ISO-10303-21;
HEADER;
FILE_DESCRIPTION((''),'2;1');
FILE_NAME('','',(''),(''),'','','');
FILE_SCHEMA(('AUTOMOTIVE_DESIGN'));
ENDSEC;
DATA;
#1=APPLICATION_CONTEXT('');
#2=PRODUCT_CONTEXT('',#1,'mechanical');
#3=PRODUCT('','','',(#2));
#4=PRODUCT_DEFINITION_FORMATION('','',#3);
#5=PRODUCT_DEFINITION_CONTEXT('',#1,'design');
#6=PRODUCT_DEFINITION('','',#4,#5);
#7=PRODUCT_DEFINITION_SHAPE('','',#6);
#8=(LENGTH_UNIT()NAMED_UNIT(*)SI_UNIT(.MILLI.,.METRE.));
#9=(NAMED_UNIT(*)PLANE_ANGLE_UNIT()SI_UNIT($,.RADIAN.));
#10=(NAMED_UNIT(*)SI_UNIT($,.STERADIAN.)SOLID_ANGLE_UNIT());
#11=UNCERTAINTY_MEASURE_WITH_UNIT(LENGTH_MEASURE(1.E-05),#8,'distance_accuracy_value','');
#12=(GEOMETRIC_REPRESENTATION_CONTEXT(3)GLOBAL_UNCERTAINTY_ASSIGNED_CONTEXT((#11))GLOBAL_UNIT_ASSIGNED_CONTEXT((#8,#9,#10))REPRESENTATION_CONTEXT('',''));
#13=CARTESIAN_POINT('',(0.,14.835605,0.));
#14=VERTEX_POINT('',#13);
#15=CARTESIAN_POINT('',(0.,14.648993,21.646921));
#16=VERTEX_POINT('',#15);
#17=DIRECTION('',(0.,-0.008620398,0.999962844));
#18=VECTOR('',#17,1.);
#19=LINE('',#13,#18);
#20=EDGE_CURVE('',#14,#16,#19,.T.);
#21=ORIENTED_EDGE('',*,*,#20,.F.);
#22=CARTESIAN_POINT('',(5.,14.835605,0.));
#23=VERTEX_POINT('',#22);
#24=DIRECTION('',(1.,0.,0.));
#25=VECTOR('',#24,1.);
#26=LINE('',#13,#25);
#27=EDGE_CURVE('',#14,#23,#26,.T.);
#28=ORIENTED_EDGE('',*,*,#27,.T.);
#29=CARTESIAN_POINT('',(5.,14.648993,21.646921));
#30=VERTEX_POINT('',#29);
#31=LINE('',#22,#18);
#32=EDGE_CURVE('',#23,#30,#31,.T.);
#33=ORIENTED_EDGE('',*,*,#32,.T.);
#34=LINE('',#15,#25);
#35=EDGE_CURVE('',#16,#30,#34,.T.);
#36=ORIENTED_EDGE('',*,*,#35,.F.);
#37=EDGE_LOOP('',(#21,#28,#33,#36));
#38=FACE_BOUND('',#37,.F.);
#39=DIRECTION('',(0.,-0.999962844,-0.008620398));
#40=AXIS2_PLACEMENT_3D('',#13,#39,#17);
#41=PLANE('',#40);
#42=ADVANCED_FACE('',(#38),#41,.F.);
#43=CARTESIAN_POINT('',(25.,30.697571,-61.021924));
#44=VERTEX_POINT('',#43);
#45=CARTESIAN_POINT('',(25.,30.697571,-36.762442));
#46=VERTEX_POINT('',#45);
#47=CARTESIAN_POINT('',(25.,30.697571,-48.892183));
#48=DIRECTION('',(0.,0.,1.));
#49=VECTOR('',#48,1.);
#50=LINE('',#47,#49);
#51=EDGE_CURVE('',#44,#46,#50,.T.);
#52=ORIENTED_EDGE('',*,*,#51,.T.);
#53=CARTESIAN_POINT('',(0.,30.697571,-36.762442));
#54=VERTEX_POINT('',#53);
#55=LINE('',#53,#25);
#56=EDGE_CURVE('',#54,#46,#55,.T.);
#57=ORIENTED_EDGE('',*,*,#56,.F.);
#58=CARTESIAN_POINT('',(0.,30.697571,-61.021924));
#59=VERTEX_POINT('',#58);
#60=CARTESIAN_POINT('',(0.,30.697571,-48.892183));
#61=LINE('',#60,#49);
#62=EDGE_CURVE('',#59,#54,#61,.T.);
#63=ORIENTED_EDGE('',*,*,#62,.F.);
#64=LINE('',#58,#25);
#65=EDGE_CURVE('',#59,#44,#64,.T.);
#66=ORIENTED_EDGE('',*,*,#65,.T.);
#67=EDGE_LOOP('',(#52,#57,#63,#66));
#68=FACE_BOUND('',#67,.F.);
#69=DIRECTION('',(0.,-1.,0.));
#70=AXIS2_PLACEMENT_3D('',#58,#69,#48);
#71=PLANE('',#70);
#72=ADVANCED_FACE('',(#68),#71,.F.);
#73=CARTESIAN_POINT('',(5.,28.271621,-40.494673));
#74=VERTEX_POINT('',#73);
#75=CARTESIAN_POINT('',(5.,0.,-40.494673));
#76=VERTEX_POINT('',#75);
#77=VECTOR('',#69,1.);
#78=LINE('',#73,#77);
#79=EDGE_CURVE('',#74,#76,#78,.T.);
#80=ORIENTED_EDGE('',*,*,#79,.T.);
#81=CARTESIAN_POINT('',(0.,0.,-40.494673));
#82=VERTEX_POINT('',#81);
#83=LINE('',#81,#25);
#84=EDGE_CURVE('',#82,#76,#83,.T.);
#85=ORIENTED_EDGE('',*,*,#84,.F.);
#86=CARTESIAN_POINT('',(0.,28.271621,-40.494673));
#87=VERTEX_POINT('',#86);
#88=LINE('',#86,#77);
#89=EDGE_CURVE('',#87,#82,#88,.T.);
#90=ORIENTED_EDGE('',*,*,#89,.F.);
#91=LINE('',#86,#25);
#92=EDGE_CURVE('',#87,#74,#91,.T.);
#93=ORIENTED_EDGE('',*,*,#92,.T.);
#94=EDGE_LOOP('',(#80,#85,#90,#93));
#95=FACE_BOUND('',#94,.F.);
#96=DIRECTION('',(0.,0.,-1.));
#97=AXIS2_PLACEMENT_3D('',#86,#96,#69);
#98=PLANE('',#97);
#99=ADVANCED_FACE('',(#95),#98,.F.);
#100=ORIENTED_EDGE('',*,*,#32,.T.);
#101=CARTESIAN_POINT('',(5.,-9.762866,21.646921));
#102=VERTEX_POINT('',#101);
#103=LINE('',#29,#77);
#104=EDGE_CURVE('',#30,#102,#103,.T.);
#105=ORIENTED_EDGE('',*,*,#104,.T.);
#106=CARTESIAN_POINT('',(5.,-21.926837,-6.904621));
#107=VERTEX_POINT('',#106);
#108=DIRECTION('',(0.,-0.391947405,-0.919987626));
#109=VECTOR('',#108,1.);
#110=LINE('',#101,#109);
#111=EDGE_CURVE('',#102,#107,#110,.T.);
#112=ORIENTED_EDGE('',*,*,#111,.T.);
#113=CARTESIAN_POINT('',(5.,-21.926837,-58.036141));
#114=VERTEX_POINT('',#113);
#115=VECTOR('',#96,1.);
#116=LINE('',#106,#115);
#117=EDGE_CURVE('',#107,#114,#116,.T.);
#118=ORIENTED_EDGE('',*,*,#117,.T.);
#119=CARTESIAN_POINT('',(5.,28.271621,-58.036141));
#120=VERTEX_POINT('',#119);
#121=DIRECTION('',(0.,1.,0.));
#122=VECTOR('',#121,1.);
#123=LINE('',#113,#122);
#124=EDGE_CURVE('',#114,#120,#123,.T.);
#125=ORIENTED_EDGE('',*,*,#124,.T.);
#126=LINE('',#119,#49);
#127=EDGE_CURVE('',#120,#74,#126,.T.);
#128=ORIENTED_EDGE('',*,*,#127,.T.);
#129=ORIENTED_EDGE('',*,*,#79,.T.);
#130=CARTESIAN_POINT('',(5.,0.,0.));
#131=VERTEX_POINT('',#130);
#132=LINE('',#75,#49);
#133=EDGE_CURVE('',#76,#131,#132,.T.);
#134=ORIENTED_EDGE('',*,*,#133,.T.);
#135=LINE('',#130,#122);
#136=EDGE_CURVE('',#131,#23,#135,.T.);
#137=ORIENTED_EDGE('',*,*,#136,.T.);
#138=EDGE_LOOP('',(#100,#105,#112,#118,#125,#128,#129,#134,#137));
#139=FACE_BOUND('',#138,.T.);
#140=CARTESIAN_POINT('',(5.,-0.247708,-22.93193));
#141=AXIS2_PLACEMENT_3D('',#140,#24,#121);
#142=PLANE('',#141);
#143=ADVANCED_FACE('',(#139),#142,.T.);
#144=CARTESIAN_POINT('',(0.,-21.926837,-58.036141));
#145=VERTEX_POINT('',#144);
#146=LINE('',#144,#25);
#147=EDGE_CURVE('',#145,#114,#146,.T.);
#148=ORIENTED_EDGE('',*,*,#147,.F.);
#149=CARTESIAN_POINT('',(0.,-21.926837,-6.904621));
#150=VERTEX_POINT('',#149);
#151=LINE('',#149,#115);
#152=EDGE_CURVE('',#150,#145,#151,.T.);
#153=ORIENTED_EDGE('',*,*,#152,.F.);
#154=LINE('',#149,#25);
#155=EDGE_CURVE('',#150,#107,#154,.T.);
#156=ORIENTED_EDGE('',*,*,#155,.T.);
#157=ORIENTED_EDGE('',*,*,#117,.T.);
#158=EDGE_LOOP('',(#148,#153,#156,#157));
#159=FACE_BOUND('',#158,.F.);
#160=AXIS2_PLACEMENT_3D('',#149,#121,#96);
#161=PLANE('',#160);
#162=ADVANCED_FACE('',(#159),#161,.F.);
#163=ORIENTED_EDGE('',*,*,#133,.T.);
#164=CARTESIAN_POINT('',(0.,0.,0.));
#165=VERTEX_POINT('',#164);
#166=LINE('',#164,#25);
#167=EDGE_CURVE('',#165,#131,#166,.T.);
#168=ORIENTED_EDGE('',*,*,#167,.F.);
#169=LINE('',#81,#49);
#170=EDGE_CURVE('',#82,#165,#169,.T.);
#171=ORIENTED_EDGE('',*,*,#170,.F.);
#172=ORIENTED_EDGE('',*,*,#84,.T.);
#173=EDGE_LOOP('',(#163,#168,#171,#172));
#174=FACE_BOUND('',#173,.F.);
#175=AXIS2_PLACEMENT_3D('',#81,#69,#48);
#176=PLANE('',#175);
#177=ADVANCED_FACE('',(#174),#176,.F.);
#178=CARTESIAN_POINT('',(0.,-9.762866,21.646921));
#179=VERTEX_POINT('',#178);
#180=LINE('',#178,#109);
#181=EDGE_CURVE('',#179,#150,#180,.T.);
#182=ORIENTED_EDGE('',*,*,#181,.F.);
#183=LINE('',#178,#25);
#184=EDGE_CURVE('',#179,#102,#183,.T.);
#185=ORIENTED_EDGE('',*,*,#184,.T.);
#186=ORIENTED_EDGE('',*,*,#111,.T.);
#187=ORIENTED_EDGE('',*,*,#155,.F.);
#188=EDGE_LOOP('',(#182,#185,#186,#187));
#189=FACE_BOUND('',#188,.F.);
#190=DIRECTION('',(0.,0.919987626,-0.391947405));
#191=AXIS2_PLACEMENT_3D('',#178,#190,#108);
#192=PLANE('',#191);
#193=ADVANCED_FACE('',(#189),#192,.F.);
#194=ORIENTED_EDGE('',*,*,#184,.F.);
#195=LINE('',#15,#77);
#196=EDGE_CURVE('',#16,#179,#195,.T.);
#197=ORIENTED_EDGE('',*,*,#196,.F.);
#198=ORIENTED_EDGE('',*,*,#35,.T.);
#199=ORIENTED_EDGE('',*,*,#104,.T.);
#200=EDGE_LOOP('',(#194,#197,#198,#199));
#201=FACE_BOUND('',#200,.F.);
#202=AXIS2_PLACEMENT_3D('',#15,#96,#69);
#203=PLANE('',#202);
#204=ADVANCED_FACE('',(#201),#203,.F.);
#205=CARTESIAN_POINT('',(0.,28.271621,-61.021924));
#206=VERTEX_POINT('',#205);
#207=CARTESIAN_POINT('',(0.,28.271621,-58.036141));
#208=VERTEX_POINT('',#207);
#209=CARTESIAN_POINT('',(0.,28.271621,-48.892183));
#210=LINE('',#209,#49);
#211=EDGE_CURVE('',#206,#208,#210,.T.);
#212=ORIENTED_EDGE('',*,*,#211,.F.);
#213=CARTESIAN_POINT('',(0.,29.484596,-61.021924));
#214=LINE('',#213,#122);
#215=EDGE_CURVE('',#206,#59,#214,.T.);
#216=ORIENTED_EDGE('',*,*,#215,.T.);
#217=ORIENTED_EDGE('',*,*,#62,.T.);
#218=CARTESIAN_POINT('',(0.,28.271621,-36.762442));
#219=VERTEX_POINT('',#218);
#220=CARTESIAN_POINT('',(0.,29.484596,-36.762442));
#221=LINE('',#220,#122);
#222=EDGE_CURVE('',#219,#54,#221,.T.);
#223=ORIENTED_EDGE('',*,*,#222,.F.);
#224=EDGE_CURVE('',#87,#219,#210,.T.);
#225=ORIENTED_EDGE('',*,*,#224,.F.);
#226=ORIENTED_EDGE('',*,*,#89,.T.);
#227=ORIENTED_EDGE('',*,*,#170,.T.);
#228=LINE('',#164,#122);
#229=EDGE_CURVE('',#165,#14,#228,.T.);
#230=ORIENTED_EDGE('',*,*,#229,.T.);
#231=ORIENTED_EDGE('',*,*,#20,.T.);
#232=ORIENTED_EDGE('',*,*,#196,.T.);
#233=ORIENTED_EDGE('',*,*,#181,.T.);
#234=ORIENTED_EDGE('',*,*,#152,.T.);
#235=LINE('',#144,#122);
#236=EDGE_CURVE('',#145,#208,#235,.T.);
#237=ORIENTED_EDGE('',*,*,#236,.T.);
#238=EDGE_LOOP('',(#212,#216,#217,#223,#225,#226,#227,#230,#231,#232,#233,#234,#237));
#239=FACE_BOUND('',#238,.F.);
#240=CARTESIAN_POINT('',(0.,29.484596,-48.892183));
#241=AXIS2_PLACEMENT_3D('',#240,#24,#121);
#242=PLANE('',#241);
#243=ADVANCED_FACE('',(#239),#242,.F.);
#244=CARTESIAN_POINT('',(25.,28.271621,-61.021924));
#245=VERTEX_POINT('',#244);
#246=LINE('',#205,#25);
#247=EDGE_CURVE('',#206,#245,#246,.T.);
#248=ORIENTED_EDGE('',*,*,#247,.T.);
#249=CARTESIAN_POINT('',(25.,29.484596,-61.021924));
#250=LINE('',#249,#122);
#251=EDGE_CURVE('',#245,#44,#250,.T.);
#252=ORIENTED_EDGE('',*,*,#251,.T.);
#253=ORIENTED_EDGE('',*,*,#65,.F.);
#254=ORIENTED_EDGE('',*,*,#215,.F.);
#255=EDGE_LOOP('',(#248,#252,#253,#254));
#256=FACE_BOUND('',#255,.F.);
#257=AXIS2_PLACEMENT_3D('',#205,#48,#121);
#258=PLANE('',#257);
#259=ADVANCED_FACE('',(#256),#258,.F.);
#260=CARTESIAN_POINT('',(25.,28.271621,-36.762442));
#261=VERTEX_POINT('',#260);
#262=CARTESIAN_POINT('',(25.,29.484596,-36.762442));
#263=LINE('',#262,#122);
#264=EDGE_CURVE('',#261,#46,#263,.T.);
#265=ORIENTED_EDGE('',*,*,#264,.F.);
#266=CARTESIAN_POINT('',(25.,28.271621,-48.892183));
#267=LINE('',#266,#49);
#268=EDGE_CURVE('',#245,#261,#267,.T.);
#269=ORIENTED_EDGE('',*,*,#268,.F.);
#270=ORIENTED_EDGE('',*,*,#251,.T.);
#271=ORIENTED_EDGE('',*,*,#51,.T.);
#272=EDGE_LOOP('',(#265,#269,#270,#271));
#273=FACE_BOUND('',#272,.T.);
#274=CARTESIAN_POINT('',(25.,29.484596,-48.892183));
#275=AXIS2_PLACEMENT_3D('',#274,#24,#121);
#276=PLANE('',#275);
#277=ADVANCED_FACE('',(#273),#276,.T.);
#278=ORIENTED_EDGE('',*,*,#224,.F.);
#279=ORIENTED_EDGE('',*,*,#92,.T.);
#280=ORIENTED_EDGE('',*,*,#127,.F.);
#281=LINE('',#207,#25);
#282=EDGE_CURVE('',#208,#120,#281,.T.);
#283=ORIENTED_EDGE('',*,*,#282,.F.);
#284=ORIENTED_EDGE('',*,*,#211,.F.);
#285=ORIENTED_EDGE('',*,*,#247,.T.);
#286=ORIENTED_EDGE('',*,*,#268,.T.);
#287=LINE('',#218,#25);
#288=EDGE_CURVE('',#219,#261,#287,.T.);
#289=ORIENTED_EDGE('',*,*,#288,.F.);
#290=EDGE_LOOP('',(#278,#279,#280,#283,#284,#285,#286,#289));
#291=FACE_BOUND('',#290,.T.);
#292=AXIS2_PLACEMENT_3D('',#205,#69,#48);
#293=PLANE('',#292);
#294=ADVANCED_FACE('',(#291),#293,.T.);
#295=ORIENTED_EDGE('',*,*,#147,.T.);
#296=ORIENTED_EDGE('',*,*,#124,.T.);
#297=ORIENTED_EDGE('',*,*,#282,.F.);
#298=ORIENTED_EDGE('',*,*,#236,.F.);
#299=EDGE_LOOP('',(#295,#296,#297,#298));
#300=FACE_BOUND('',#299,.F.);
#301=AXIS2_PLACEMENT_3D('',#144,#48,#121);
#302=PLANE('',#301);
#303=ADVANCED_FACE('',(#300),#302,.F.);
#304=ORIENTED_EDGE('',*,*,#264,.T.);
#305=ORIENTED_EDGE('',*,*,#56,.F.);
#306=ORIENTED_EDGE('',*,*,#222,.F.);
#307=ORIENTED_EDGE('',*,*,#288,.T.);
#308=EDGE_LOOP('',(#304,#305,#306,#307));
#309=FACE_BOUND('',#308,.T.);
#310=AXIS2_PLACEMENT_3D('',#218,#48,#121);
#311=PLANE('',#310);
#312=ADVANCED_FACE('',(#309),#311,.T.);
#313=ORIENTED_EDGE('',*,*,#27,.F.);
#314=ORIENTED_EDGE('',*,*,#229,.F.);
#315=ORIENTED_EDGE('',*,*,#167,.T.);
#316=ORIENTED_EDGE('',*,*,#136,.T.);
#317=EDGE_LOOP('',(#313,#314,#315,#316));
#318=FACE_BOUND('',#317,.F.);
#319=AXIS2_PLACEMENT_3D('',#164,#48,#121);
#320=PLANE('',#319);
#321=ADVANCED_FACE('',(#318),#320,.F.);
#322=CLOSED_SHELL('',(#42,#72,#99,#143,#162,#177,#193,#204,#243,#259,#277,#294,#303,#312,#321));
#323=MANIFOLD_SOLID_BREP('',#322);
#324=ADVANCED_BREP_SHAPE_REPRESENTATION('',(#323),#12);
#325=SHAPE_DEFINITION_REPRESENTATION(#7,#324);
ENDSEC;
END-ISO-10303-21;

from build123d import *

# Parameters (mm, degrees)
F1_DEPTH = 5
F2_W     = 2.42595
F2_H     = 24.259482
F3_DEPTH = 25


with BuildPart() as f1:
    # F0 (on Right) → F1 (new body)
    with BuildSketch(Plane.YZ):
        Polygon((14.835605, 0), (14.648993, 21.646921), (-9.762866, 21.646921), (-21.926837, -6.904621), (-21.926837, -58.036141), (28.271621, -58.036141), (28.271621, -40.494673), (0, -40.494673), (0, 0), align=None)
    extrude(amount=F1_DEPTH)

    # F2 (on Right) → F3 (join)
    with BuildSketch(Plane.YZ):
        with Locations((29.484596, -48.892183)):
            Rectangle(F2_W, F2_H)
    extrude(amount=F3_DEPTH)


solid = f1.part
